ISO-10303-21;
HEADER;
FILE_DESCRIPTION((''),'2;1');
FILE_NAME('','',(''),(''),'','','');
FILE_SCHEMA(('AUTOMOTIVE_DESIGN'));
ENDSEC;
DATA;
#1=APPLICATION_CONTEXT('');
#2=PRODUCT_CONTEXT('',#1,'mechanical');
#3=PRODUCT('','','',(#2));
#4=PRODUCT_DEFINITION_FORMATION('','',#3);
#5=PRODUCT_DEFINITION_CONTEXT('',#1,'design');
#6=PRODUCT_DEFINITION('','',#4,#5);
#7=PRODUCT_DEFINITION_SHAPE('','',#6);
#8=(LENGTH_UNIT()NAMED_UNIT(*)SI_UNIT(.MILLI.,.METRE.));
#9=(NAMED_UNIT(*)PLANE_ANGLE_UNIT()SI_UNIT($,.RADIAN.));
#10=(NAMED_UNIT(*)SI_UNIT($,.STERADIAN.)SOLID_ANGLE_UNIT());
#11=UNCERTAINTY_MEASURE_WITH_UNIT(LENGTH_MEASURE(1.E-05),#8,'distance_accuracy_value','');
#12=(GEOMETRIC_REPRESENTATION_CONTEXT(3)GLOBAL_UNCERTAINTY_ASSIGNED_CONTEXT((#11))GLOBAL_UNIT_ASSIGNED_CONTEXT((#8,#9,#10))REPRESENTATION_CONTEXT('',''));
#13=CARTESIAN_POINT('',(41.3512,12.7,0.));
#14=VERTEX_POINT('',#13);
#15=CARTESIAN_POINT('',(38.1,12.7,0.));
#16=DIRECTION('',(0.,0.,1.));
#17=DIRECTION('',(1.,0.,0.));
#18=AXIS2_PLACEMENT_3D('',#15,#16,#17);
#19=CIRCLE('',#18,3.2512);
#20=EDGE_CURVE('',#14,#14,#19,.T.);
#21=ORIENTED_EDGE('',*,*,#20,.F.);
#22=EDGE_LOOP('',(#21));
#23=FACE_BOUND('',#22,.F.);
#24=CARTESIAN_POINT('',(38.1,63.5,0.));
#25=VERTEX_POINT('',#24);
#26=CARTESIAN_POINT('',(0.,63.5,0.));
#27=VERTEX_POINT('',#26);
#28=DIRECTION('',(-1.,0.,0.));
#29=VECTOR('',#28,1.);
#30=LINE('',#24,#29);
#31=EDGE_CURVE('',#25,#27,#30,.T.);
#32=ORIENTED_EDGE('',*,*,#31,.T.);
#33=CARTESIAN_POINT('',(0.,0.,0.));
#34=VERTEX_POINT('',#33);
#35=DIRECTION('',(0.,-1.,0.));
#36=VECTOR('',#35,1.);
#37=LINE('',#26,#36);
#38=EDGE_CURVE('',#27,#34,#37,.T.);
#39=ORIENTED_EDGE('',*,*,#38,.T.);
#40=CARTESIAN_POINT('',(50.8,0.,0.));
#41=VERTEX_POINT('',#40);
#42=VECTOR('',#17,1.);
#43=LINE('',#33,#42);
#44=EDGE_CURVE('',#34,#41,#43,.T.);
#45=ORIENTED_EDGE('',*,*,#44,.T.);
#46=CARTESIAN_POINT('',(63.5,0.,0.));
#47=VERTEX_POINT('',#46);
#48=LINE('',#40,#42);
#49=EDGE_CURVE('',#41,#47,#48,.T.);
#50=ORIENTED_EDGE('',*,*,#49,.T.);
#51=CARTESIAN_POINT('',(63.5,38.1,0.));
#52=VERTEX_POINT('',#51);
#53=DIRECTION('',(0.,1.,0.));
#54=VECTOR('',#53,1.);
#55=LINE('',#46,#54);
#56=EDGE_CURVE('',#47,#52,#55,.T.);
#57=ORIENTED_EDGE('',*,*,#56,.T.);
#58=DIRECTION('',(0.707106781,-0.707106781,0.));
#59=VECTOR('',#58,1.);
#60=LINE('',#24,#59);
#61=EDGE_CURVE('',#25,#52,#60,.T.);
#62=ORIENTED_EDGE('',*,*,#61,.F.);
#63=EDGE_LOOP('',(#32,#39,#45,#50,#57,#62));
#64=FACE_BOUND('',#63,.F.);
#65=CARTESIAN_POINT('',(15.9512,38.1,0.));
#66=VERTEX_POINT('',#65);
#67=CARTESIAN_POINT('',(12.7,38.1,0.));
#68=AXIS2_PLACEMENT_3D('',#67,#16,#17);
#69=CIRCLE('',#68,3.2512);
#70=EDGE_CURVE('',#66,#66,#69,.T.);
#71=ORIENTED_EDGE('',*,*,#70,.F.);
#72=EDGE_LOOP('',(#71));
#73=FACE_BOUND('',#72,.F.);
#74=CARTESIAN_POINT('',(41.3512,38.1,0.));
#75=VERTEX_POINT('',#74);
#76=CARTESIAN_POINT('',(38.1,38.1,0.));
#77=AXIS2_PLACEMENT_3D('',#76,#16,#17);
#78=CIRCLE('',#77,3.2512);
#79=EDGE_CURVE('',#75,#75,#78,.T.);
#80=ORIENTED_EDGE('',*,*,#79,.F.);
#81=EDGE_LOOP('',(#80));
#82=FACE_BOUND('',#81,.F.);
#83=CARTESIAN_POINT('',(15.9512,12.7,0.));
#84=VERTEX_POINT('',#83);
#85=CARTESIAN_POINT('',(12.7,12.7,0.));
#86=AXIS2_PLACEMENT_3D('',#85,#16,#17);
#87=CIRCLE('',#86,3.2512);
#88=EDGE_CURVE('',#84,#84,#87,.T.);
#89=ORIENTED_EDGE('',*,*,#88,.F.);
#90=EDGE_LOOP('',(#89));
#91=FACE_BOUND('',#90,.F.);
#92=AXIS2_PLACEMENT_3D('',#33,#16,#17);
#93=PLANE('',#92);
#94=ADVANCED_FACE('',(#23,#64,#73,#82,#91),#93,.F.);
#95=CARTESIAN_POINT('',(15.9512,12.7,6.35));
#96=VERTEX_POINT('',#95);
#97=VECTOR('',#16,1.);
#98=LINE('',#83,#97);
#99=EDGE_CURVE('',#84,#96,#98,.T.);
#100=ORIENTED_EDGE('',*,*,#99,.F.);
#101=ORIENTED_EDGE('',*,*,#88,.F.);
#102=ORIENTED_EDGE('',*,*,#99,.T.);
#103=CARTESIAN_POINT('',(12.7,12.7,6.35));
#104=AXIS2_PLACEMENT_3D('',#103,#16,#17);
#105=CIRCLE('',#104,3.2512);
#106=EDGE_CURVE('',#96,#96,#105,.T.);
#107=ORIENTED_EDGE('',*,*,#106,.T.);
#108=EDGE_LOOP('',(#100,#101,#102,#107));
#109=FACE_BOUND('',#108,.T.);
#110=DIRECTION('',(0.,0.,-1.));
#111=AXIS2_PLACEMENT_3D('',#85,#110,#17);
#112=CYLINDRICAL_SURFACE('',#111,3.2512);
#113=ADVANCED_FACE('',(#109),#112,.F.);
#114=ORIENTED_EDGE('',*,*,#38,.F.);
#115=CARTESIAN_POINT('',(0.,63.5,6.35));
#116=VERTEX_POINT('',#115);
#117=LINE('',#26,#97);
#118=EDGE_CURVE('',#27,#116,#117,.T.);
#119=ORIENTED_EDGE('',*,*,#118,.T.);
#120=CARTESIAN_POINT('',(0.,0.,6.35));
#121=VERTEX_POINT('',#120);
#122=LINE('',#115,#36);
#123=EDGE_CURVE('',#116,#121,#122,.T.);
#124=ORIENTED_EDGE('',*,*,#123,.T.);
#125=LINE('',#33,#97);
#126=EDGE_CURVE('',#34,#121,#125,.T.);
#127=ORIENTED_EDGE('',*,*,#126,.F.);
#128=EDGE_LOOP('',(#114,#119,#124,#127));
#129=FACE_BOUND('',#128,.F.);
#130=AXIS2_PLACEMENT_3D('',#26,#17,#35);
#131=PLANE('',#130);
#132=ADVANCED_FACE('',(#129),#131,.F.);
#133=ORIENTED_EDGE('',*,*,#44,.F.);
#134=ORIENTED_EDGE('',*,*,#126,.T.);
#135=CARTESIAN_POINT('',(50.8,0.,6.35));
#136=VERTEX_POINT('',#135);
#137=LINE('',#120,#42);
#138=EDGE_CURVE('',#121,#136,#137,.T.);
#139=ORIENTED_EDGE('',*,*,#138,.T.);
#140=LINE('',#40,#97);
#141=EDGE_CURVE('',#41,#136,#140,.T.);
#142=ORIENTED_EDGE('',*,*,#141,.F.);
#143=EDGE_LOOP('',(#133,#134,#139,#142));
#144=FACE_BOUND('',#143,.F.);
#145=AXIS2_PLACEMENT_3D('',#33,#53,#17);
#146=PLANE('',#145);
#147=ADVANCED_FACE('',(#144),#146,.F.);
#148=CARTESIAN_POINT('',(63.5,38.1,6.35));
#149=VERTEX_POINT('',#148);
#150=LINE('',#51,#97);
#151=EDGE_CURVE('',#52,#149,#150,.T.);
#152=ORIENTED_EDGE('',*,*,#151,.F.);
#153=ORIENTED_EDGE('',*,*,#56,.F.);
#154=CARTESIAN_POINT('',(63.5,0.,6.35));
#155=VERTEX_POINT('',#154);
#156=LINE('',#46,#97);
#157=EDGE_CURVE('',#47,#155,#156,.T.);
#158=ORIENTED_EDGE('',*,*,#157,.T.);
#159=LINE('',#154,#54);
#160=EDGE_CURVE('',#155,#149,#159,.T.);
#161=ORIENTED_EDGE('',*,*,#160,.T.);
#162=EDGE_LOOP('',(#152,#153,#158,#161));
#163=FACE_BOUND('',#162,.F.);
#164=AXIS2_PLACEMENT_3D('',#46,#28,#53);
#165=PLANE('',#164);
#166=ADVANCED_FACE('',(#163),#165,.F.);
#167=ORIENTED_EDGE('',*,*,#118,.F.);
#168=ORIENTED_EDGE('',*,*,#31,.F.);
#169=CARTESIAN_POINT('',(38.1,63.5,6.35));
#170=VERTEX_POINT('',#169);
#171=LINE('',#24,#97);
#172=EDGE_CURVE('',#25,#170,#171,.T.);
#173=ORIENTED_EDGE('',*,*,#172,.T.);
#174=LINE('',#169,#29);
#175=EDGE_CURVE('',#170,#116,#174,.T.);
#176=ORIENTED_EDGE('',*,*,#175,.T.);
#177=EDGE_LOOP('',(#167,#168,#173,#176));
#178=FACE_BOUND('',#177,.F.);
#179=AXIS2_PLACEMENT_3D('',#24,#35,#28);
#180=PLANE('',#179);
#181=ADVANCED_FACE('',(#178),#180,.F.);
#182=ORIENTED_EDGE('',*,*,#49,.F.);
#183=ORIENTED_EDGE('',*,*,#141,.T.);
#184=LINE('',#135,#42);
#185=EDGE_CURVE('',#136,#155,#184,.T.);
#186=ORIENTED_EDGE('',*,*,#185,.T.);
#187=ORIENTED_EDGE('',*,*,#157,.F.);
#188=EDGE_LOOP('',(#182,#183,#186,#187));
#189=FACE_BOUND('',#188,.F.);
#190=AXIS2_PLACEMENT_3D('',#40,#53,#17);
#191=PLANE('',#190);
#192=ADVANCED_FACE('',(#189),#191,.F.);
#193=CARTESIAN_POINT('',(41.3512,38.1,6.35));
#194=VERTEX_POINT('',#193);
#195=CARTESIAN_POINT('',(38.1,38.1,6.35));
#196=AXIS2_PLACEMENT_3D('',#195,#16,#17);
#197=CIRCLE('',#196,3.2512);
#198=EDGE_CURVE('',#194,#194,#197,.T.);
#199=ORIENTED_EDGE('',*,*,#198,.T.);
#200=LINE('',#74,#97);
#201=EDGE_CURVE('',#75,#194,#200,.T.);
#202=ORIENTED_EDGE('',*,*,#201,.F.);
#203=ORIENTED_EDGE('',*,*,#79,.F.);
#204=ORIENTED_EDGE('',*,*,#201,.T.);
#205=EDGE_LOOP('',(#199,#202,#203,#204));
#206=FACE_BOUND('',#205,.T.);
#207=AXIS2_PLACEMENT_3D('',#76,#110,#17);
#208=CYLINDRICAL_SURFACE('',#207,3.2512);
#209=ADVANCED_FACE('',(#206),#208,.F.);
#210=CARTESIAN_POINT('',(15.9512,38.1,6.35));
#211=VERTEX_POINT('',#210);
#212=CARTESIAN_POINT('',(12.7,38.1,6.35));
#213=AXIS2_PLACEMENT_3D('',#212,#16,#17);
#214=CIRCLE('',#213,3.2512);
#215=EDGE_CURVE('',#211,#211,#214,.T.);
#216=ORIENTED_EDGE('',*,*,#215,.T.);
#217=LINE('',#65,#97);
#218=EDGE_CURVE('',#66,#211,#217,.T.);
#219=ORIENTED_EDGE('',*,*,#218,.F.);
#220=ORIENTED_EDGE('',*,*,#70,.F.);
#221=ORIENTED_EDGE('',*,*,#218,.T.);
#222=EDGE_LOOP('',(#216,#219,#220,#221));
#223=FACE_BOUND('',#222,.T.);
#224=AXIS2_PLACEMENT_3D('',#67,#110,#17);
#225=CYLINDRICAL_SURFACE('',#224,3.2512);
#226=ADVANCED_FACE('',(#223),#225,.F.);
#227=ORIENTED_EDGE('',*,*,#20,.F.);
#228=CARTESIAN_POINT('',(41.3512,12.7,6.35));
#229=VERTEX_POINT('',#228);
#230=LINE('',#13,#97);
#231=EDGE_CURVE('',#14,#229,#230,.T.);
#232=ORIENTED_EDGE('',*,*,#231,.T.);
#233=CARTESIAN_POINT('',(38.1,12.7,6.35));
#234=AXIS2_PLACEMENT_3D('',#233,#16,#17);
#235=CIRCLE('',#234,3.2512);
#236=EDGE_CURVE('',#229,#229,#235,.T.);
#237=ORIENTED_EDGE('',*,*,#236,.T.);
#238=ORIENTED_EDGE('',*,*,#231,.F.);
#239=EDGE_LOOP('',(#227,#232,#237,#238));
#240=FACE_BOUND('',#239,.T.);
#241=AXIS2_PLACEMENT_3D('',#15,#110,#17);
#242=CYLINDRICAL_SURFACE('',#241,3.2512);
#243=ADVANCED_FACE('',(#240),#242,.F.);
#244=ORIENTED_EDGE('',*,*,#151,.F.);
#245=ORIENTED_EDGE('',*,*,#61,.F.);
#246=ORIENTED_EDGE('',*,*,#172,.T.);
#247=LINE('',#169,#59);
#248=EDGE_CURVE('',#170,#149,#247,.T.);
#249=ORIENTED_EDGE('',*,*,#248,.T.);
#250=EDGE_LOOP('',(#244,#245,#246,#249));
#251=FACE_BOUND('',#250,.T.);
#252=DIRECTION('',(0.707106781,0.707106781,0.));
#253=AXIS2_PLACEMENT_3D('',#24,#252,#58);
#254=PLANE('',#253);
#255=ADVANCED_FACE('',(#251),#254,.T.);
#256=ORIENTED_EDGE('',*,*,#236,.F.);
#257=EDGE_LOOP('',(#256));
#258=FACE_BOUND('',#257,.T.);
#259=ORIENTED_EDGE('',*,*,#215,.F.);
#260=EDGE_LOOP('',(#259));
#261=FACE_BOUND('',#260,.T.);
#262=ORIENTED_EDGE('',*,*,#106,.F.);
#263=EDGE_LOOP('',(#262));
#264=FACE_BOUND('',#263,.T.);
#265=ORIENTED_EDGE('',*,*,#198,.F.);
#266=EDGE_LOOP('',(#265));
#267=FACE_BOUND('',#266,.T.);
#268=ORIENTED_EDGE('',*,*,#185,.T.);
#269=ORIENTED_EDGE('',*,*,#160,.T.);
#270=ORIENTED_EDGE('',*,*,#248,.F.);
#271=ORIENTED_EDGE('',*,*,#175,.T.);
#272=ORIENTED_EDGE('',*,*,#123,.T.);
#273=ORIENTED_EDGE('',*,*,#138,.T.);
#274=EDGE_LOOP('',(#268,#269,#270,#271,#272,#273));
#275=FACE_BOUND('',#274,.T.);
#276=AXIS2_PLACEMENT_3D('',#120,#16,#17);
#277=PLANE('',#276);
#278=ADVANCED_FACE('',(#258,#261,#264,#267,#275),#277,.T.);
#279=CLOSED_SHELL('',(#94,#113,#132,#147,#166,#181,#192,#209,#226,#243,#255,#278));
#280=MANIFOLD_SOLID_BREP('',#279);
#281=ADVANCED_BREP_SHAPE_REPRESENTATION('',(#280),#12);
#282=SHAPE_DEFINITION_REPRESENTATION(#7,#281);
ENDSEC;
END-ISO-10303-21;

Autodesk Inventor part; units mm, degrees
ref_plane "YZ Plane" through (0, 0, 0) normal (1, 0, 0) x (0, 1, 0)
ref_plane "XZ Plane" through (0, 0, 0) normal (0, 1, 0) x (-1, 0, 0)
ref_plane "XY Plane" through (0, 0, 0) normal (0, 0, 1) x (1, 0, 0)
sketch "Sketch1" plane through (0, 0, 0) normal (0, 0, 1) x (1, 0, 0)
  line L0 (0, 0) -> (50.8, 0)
  line L1 (38.1, 63.5) -> (0, 63.5)
  line L2 (0, 63.5) -> (0, 0)
  line L3 (50.8, 0) -> (63.5, 0)
  line L4 (63.5, 0) -> (63.5, 38.1)
  line L5 (38.1, 63.5) -> (63.5, 38.1)
  circle A0 centre (12.7, 12.7) radius 3.2512
  circle A1 centre (12.7, 38.1) radius 3.2512
  circle A2 centre (38.1, 12.7) radius 3.2512
  circle A3 centre (38.1, 38.1) radius 3.2512
  dimension "d10" = 63.5
  dimension "d11" = 50.8
  dimension "d12" = 38.1
  dimension "d14" = 38.1
  dimension "d15" = 25.4
  dimension "d16" = 25.4
  dimension "d17" = 6.5024
  dimension "d18" = 12.7
  dimension "d19" = 12.7
  dimension "d22" = 25.4
  dimension "d25" = 25.4
extrude "Extrusion1" add sketch "Sketch1" along normal blind 6.35
properties part number "2.5x2.5"
